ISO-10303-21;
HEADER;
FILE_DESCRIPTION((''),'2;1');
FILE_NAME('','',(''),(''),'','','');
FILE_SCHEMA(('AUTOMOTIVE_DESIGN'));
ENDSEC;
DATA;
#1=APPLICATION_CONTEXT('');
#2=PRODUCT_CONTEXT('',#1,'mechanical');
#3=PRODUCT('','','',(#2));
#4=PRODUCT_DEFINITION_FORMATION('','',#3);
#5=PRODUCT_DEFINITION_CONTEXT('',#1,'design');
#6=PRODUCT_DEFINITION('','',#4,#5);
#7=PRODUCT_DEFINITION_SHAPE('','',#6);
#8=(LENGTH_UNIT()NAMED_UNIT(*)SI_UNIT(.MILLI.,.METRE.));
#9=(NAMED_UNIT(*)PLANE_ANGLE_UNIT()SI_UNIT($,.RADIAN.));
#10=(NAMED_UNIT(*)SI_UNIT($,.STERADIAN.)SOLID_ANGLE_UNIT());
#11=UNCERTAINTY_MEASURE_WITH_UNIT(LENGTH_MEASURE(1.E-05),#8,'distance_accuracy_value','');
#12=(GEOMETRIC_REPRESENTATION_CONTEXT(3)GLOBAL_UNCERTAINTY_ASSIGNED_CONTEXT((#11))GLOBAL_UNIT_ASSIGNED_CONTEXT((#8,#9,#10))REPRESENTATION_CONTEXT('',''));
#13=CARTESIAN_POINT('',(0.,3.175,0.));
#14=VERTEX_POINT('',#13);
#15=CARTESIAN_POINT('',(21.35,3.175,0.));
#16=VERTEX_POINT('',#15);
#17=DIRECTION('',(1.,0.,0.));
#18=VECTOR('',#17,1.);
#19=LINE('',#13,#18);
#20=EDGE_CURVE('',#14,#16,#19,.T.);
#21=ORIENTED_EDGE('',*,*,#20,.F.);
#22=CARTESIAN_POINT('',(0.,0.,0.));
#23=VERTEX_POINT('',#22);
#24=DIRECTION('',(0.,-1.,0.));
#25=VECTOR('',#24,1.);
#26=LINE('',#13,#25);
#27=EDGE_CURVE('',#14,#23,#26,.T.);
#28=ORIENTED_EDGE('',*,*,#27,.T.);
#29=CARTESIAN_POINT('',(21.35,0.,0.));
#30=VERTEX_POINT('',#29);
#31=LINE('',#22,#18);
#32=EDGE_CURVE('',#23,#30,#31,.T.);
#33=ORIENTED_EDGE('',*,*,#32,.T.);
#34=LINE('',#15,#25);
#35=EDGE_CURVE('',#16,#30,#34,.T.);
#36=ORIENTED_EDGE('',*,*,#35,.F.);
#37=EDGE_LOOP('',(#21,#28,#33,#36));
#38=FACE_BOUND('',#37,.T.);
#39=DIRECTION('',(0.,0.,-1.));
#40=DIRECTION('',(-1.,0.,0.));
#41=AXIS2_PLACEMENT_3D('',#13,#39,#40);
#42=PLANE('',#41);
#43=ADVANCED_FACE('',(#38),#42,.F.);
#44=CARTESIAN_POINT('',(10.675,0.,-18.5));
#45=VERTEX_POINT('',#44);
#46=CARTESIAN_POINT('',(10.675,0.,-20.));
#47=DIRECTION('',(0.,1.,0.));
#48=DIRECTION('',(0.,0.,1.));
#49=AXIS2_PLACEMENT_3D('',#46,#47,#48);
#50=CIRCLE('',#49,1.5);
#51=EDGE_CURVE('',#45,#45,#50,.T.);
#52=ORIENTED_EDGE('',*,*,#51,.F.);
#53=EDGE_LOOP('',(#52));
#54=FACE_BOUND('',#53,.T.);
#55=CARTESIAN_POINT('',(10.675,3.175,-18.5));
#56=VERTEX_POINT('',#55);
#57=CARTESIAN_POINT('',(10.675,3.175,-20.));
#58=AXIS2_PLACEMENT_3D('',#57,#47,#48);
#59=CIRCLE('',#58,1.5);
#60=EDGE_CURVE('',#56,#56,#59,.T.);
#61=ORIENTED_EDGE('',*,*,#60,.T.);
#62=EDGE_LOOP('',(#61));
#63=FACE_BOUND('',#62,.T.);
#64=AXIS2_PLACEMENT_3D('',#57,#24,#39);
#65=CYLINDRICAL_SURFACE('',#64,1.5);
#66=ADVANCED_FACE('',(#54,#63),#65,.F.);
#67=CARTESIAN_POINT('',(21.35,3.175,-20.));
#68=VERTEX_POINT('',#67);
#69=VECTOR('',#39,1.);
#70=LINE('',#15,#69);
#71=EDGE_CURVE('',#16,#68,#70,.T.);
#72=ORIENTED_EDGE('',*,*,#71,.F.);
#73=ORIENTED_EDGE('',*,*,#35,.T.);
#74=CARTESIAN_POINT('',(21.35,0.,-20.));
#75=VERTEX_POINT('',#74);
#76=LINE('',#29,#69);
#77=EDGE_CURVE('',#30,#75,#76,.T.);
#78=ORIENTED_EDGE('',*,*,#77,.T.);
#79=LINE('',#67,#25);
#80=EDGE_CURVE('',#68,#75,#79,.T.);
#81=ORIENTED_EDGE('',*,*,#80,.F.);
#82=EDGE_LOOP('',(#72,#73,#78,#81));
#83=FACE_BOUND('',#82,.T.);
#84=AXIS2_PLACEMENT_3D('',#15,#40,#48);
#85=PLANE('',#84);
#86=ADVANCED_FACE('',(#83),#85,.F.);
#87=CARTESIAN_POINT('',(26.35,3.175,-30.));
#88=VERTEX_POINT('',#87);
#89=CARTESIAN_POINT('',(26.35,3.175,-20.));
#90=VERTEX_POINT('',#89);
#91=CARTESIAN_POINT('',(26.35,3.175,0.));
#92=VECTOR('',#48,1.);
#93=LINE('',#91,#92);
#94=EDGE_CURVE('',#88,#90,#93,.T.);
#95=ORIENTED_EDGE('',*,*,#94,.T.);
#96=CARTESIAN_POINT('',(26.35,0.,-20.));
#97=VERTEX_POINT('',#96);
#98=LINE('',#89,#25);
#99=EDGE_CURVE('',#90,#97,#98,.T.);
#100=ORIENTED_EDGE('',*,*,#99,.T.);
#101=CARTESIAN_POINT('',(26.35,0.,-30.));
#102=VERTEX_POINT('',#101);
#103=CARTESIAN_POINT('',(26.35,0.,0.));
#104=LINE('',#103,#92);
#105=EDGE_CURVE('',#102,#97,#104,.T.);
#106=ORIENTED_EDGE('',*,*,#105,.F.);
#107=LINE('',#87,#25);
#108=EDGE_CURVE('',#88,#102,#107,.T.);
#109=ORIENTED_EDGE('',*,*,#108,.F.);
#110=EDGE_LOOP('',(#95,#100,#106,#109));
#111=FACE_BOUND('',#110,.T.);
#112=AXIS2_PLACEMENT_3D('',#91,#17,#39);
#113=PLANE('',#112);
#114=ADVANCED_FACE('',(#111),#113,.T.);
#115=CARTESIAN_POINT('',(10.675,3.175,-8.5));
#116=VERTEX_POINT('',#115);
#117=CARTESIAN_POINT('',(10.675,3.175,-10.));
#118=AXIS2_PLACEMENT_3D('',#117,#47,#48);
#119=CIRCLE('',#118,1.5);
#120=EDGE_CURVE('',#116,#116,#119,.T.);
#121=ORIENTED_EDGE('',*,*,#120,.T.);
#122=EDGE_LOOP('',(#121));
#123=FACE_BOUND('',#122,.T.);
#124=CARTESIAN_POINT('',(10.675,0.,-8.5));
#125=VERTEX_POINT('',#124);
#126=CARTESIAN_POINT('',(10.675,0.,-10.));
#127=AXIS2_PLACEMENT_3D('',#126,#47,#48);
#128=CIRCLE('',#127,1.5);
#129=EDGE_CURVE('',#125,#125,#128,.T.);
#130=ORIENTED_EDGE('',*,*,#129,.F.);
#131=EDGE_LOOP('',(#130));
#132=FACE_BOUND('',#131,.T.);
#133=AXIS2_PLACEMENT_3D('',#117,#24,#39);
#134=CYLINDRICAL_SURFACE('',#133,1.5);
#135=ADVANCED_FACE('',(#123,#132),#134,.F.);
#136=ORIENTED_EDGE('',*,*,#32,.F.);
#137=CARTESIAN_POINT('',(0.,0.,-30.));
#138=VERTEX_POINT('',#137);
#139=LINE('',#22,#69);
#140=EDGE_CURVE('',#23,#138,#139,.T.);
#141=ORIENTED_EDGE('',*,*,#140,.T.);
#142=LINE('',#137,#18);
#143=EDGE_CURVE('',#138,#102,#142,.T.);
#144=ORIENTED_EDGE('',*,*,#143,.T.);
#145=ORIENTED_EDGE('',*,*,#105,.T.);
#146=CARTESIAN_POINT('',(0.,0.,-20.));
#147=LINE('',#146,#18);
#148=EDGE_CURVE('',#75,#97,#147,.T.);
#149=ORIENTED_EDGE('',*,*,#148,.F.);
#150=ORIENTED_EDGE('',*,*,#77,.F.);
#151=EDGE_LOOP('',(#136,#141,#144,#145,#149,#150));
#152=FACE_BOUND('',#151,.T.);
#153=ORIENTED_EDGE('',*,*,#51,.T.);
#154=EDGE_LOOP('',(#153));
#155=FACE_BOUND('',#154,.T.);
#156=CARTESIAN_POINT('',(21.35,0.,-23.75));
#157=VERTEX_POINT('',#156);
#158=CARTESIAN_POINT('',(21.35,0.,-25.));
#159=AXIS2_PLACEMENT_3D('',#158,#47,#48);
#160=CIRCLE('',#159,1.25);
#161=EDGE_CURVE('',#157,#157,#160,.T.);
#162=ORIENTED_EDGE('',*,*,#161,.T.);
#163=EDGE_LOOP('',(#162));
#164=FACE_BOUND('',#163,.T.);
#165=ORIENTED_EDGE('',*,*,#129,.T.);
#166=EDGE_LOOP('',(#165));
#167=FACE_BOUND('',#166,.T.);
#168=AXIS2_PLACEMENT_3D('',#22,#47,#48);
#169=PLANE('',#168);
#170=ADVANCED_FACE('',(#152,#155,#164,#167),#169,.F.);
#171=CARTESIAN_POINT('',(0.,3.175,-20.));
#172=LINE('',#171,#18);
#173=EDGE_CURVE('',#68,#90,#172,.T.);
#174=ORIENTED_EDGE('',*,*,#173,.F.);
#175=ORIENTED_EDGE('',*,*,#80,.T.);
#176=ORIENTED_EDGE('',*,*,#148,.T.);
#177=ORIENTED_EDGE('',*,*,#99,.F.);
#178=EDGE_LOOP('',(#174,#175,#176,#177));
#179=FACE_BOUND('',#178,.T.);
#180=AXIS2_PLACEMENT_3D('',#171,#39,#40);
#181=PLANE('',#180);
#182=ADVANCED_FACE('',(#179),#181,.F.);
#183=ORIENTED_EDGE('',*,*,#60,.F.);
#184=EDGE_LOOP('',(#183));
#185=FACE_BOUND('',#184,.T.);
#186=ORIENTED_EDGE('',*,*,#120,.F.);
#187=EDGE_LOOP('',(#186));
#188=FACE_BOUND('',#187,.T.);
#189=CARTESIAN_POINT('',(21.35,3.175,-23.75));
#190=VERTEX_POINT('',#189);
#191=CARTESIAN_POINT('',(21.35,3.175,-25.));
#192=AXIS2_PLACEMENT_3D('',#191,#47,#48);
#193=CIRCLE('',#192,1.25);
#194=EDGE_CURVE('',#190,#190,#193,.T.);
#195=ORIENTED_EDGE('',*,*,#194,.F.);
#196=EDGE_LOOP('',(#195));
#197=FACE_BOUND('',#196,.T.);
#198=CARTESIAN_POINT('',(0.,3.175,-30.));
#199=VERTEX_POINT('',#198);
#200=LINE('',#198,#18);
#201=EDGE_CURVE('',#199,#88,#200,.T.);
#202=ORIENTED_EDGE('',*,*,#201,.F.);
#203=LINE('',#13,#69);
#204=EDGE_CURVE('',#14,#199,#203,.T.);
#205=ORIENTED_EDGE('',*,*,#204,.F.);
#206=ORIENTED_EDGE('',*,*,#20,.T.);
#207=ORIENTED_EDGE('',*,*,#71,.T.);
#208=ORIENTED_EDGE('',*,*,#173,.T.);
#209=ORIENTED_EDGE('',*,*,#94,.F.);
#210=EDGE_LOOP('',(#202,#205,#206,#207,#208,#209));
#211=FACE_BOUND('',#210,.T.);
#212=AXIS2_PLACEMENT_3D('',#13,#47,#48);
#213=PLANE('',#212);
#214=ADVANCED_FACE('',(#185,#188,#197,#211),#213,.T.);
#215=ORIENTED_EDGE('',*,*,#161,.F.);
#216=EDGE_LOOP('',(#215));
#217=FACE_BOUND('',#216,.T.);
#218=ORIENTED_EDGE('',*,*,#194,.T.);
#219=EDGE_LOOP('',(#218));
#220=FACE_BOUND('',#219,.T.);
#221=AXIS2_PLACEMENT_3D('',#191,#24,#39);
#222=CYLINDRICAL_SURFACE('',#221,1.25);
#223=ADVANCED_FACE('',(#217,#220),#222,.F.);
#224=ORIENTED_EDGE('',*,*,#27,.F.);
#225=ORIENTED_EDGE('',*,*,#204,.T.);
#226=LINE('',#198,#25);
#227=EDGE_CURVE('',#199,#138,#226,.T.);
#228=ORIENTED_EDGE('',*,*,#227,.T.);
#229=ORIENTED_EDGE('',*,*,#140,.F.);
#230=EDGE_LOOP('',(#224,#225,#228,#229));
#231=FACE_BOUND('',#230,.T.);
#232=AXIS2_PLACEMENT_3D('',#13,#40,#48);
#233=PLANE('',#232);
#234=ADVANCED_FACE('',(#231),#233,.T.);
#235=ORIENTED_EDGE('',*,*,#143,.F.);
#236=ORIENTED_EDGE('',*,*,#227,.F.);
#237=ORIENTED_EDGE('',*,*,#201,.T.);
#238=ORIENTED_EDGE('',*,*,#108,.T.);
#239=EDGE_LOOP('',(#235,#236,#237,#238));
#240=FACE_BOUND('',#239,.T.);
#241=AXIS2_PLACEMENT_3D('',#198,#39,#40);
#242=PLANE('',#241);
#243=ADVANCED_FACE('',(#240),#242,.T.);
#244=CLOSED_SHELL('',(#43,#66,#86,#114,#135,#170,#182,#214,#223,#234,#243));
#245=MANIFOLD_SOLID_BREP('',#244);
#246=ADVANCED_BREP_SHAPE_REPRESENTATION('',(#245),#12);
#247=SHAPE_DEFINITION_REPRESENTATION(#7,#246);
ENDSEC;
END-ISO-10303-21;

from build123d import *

# Parameters (mm, degrees)
SKETCH1_R           = 1.25
SKETCH1_R_2         = 1.5
BOSS_EXTRUDE1_DEPTH = 3.175


with BuildPart() as part:
    # Sketch1 → Boss-Extrude1 (new body)
    with BuildSketch(Plane(origin=(0, 0, 0), x_dir=(1, 0, 0), z_dir=(0, 1, 0))):
        Polygon((0, 0), (10.675, 0), (21.35, 0), (21.35, 20), (26.35, 20), (26.35, 30), (0, 30), align=None)
        with Locations((21.35, 25)):
            Circle(SKETCH1_R, mode=Mode.SUBTRACT)
        with BuildLine():
            ThreePointArc((10.675, 8.5), (9.175, 10), (10.675, 11.5))
            ThreePointArc((10.675, 11.5), (12.175, 10), (10.675, 8.5))
        make_face(mode=Mode.SUBTRACT)
        with Locations((10.675, 20)):
            Circle(SKETCH1_R_2, mode=Mode.SUBTRACT)
    extrude(amount=BOSS_EXTRUDE1_DEPTH)


solid = part.part
